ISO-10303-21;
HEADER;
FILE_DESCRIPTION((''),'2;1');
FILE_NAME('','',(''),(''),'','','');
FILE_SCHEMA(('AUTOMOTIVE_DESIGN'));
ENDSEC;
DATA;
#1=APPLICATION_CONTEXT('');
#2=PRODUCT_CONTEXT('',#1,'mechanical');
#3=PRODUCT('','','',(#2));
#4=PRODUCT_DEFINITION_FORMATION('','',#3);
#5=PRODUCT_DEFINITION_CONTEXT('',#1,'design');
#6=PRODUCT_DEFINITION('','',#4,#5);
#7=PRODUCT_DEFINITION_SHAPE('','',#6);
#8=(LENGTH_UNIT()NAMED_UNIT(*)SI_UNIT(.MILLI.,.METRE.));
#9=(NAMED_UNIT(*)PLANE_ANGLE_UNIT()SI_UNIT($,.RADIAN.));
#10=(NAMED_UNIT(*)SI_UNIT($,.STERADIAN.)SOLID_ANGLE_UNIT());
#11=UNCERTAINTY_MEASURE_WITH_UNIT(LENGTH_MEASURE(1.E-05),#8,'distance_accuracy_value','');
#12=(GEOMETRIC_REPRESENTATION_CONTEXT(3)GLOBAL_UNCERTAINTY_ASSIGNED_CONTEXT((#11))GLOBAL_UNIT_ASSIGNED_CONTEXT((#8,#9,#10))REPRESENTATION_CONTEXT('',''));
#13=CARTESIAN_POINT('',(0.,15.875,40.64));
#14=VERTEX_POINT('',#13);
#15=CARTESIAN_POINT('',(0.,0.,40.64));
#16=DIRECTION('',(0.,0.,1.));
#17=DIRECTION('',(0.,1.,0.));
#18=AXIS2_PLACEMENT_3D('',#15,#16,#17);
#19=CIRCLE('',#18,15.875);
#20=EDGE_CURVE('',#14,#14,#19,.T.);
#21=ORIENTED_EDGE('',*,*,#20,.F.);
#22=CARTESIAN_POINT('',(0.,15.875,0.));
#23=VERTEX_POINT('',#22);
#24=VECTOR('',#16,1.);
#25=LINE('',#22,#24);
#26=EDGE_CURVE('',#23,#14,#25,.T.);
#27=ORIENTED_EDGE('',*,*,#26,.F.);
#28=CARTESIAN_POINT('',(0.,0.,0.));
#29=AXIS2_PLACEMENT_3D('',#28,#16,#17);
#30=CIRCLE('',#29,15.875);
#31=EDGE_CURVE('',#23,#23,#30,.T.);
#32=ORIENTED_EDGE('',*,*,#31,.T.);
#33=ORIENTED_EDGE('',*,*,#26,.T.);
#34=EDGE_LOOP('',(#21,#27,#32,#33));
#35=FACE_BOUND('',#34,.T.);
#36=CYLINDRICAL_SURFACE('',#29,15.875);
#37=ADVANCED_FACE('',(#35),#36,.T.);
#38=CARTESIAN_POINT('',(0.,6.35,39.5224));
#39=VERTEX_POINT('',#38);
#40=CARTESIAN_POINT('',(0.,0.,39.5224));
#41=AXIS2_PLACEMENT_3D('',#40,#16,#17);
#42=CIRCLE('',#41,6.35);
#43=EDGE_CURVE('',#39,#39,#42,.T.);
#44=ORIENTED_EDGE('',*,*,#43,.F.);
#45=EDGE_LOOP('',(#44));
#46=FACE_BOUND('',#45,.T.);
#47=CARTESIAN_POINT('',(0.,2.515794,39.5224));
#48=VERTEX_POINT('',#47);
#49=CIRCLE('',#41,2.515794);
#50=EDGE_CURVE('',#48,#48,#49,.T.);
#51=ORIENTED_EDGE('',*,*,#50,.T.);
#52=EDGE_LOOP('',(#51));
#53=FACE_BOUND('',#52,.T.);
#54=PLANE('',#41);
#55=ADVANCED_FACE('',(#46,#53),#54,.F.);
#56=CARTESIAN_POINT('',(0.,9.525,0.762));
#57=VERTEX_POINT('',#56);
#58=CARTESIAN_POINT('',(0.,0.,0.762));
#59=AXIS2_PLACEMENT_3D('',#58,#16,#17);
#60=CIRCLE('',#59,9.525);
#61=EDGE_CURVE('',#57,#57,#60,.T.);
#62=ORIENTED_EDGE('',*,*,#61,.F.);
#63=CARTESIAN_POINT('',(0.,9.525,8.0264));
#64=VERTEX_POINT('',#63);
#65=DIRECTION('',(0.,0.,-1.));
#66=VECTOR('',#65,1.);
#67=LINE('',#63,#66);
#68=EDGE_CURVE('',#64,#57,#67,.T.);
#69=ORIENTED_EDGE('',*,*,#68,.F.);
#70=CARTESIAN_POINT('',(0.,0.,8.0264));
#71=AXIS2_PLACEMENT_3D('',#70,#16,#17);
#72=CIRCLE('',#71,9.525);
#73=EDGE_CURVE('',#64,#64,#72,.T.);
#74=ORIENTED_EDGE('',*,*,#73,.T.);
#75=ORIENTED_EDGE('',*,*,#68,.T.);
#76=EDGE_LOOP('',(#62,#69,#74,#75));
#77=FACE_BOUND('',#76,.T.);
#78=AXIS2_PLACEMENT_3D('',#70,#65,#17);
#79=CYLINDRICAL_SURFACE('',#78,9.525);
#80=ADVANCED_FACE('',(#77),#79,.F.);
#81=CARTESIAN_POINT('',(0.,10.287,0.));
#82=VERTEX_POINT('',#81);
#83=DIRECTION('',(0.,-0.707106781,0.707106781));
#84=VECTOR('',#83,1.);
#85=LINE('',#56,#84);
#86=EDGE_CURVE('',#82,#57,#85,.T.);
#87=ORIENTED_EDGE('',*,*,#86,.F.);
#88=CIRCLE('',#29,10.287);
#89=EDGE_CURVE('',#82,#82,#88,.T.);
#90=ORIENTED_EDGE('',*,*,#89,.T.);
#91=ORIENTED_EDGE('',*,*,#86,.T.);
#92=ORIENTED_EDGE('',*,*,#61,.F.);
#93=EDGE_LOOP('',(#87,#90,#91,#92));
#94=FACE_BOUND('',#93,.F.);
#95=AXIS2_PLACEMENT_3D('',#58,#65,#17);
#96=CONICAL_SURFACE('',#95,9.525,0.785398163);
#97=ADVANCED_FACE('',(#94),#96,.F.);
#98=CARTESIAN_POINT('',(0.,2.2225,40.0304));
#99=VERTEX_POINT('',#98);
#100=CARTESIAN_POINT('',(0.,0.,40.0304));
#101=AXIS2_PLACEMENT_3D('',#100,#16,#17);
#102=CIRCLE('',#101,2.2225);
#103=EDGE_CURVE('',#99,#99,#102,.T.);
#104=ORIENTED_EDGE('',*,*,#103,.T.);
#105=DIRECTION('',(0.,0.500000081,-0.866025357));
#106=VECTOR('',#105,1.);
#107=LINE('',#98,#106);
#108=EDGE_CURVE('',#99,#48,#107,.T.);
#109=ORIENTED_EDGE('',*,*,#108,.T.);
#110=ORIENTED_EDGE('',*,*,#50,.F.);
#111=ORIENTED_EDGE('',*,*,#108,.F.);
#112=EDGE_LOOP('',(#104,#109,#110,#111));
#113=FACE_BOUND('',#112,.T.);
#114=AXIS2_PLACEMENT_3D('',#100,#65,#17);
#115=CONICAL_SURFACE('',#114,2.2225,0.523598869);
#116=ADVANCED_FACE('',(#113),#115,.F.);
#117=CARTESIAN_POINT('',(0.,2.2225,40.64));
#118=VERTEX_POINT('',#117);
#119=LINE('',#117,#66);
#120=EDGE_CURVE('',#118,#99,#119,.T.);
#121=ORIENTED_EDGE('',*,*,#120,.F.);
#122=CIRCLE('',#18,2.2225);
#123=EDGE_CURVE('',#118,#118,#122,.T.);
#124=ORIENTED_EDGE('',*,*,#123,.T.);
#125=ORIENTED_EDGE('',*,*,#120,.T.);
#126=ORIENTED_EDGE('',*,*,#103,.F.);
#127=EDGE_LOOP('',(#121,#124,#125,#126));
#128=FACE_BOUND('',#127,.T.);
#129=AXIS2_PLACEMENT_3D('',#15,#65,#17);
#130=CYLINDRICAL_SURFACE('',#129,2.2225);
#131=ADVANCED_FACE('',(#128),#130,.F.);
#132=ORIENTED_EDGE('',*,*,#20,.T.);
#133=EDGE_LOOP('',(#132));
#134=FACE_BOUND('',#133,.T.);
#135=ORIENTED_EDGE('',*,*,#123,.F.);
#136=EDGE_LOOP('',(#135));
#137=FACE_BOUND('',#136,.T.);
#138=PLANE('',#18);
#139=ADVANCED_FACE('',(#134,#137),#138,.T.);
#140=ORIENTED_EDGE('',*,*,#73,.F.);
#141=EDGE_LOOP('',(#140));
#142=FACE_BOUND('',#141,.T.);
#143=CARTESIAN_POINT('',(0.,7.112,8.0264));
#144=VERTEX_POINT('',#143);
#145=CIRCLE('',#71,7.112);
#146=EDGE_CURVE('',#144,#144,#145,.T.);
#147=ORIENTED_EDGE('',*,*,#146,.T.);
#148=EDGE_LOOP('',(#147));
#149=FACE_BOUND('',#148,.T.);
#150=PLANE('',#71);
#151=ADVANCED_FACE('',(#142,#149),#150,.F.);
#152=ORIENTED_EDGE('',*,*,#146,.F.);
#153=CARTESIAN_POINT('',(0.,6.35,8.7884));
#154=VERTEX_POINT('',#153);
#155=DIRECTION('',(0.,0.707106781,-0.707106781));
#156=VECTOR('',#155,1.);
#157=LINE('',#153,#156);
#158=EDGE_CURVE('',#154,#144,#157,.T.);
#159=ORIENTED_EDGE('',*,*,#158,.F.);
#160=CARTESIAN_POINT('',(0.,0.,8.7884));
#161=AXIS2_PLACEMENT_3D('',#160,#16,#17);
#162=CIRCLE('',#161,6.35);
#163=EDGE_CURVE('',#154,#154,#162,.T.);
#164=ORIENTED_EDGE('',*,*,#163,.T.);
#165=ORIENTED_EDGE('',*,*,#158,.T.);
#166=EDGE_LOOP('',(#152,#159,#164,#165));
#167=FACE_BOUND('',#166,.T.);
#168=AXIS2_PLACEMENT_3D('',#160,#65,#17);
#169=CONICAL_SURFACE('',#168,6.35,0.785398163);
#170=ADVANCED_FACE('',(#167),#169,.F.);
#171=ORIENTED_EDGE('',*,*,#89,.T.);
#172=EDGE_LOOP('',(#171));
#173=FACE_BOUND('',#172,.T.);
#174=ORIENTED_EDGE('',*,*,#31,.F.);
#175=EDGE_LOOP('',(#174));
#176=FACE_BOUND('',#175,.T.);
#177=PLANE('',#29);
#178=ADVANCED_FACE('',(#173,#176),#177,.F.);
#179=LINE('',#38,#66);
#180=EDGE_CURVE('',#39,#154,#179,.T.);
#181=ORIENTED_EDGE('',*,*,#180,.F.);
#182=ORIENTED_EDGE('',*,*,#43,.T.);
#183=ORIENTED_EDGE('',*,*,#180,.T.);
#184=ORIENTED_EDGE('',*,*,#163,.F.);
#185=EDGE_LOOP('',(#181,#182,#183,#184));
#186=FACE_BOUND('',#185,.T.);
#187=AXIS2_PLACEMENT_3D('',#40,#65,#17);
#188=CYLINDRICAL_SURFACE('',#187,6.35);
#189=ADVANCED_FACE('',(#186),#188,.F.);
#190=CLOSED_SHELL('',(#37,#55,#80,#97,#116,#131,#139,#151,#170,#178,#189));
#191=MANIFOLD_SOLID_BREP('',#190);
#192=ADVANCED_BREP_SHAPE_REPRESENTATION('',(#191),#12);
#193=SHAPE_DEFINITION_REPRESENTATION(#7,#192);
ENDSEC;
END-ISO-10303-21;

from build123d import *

# Parameters (mm, degrees)
F2_SIZE2 = 0.293294
F2_SIZE  = 0.508
F3_SIZE  = 0.762


with BuildPart() as f1:
    # F0 (on Right) → F1 (revolve)
    with BuildSketch(Plane.YZ):
        Polygon((15.875, 40.64), (2.2225, 40.64), (2.2225, 39.5224), (6.35, 39.5224), (6.35, 8.0264), (9.525, 8.0264), (9.525, 0), (15.875, 0), align=None)
    revolve(axis=Axis((0, 0, 20.32), (0, 0, 1)))

    # F2
    f2_edges = [f1.edges().sort_by_distance(p)[0] for p in [
        (0, -2.2225, 39.5224),
    ]]
    chamfer(f2_edges, length=F2_SIZE, length2=F2_SIZE2)

    # F3
    f3_edges = [f1.edges().sort_by_distance(p)[0] for p in [
        (0, -6.35, 8.0264),
        (0, -9.525, 0),
    ]]
    chamfer(f3_edges, length=F3_SIZE)


solid = f1.part
